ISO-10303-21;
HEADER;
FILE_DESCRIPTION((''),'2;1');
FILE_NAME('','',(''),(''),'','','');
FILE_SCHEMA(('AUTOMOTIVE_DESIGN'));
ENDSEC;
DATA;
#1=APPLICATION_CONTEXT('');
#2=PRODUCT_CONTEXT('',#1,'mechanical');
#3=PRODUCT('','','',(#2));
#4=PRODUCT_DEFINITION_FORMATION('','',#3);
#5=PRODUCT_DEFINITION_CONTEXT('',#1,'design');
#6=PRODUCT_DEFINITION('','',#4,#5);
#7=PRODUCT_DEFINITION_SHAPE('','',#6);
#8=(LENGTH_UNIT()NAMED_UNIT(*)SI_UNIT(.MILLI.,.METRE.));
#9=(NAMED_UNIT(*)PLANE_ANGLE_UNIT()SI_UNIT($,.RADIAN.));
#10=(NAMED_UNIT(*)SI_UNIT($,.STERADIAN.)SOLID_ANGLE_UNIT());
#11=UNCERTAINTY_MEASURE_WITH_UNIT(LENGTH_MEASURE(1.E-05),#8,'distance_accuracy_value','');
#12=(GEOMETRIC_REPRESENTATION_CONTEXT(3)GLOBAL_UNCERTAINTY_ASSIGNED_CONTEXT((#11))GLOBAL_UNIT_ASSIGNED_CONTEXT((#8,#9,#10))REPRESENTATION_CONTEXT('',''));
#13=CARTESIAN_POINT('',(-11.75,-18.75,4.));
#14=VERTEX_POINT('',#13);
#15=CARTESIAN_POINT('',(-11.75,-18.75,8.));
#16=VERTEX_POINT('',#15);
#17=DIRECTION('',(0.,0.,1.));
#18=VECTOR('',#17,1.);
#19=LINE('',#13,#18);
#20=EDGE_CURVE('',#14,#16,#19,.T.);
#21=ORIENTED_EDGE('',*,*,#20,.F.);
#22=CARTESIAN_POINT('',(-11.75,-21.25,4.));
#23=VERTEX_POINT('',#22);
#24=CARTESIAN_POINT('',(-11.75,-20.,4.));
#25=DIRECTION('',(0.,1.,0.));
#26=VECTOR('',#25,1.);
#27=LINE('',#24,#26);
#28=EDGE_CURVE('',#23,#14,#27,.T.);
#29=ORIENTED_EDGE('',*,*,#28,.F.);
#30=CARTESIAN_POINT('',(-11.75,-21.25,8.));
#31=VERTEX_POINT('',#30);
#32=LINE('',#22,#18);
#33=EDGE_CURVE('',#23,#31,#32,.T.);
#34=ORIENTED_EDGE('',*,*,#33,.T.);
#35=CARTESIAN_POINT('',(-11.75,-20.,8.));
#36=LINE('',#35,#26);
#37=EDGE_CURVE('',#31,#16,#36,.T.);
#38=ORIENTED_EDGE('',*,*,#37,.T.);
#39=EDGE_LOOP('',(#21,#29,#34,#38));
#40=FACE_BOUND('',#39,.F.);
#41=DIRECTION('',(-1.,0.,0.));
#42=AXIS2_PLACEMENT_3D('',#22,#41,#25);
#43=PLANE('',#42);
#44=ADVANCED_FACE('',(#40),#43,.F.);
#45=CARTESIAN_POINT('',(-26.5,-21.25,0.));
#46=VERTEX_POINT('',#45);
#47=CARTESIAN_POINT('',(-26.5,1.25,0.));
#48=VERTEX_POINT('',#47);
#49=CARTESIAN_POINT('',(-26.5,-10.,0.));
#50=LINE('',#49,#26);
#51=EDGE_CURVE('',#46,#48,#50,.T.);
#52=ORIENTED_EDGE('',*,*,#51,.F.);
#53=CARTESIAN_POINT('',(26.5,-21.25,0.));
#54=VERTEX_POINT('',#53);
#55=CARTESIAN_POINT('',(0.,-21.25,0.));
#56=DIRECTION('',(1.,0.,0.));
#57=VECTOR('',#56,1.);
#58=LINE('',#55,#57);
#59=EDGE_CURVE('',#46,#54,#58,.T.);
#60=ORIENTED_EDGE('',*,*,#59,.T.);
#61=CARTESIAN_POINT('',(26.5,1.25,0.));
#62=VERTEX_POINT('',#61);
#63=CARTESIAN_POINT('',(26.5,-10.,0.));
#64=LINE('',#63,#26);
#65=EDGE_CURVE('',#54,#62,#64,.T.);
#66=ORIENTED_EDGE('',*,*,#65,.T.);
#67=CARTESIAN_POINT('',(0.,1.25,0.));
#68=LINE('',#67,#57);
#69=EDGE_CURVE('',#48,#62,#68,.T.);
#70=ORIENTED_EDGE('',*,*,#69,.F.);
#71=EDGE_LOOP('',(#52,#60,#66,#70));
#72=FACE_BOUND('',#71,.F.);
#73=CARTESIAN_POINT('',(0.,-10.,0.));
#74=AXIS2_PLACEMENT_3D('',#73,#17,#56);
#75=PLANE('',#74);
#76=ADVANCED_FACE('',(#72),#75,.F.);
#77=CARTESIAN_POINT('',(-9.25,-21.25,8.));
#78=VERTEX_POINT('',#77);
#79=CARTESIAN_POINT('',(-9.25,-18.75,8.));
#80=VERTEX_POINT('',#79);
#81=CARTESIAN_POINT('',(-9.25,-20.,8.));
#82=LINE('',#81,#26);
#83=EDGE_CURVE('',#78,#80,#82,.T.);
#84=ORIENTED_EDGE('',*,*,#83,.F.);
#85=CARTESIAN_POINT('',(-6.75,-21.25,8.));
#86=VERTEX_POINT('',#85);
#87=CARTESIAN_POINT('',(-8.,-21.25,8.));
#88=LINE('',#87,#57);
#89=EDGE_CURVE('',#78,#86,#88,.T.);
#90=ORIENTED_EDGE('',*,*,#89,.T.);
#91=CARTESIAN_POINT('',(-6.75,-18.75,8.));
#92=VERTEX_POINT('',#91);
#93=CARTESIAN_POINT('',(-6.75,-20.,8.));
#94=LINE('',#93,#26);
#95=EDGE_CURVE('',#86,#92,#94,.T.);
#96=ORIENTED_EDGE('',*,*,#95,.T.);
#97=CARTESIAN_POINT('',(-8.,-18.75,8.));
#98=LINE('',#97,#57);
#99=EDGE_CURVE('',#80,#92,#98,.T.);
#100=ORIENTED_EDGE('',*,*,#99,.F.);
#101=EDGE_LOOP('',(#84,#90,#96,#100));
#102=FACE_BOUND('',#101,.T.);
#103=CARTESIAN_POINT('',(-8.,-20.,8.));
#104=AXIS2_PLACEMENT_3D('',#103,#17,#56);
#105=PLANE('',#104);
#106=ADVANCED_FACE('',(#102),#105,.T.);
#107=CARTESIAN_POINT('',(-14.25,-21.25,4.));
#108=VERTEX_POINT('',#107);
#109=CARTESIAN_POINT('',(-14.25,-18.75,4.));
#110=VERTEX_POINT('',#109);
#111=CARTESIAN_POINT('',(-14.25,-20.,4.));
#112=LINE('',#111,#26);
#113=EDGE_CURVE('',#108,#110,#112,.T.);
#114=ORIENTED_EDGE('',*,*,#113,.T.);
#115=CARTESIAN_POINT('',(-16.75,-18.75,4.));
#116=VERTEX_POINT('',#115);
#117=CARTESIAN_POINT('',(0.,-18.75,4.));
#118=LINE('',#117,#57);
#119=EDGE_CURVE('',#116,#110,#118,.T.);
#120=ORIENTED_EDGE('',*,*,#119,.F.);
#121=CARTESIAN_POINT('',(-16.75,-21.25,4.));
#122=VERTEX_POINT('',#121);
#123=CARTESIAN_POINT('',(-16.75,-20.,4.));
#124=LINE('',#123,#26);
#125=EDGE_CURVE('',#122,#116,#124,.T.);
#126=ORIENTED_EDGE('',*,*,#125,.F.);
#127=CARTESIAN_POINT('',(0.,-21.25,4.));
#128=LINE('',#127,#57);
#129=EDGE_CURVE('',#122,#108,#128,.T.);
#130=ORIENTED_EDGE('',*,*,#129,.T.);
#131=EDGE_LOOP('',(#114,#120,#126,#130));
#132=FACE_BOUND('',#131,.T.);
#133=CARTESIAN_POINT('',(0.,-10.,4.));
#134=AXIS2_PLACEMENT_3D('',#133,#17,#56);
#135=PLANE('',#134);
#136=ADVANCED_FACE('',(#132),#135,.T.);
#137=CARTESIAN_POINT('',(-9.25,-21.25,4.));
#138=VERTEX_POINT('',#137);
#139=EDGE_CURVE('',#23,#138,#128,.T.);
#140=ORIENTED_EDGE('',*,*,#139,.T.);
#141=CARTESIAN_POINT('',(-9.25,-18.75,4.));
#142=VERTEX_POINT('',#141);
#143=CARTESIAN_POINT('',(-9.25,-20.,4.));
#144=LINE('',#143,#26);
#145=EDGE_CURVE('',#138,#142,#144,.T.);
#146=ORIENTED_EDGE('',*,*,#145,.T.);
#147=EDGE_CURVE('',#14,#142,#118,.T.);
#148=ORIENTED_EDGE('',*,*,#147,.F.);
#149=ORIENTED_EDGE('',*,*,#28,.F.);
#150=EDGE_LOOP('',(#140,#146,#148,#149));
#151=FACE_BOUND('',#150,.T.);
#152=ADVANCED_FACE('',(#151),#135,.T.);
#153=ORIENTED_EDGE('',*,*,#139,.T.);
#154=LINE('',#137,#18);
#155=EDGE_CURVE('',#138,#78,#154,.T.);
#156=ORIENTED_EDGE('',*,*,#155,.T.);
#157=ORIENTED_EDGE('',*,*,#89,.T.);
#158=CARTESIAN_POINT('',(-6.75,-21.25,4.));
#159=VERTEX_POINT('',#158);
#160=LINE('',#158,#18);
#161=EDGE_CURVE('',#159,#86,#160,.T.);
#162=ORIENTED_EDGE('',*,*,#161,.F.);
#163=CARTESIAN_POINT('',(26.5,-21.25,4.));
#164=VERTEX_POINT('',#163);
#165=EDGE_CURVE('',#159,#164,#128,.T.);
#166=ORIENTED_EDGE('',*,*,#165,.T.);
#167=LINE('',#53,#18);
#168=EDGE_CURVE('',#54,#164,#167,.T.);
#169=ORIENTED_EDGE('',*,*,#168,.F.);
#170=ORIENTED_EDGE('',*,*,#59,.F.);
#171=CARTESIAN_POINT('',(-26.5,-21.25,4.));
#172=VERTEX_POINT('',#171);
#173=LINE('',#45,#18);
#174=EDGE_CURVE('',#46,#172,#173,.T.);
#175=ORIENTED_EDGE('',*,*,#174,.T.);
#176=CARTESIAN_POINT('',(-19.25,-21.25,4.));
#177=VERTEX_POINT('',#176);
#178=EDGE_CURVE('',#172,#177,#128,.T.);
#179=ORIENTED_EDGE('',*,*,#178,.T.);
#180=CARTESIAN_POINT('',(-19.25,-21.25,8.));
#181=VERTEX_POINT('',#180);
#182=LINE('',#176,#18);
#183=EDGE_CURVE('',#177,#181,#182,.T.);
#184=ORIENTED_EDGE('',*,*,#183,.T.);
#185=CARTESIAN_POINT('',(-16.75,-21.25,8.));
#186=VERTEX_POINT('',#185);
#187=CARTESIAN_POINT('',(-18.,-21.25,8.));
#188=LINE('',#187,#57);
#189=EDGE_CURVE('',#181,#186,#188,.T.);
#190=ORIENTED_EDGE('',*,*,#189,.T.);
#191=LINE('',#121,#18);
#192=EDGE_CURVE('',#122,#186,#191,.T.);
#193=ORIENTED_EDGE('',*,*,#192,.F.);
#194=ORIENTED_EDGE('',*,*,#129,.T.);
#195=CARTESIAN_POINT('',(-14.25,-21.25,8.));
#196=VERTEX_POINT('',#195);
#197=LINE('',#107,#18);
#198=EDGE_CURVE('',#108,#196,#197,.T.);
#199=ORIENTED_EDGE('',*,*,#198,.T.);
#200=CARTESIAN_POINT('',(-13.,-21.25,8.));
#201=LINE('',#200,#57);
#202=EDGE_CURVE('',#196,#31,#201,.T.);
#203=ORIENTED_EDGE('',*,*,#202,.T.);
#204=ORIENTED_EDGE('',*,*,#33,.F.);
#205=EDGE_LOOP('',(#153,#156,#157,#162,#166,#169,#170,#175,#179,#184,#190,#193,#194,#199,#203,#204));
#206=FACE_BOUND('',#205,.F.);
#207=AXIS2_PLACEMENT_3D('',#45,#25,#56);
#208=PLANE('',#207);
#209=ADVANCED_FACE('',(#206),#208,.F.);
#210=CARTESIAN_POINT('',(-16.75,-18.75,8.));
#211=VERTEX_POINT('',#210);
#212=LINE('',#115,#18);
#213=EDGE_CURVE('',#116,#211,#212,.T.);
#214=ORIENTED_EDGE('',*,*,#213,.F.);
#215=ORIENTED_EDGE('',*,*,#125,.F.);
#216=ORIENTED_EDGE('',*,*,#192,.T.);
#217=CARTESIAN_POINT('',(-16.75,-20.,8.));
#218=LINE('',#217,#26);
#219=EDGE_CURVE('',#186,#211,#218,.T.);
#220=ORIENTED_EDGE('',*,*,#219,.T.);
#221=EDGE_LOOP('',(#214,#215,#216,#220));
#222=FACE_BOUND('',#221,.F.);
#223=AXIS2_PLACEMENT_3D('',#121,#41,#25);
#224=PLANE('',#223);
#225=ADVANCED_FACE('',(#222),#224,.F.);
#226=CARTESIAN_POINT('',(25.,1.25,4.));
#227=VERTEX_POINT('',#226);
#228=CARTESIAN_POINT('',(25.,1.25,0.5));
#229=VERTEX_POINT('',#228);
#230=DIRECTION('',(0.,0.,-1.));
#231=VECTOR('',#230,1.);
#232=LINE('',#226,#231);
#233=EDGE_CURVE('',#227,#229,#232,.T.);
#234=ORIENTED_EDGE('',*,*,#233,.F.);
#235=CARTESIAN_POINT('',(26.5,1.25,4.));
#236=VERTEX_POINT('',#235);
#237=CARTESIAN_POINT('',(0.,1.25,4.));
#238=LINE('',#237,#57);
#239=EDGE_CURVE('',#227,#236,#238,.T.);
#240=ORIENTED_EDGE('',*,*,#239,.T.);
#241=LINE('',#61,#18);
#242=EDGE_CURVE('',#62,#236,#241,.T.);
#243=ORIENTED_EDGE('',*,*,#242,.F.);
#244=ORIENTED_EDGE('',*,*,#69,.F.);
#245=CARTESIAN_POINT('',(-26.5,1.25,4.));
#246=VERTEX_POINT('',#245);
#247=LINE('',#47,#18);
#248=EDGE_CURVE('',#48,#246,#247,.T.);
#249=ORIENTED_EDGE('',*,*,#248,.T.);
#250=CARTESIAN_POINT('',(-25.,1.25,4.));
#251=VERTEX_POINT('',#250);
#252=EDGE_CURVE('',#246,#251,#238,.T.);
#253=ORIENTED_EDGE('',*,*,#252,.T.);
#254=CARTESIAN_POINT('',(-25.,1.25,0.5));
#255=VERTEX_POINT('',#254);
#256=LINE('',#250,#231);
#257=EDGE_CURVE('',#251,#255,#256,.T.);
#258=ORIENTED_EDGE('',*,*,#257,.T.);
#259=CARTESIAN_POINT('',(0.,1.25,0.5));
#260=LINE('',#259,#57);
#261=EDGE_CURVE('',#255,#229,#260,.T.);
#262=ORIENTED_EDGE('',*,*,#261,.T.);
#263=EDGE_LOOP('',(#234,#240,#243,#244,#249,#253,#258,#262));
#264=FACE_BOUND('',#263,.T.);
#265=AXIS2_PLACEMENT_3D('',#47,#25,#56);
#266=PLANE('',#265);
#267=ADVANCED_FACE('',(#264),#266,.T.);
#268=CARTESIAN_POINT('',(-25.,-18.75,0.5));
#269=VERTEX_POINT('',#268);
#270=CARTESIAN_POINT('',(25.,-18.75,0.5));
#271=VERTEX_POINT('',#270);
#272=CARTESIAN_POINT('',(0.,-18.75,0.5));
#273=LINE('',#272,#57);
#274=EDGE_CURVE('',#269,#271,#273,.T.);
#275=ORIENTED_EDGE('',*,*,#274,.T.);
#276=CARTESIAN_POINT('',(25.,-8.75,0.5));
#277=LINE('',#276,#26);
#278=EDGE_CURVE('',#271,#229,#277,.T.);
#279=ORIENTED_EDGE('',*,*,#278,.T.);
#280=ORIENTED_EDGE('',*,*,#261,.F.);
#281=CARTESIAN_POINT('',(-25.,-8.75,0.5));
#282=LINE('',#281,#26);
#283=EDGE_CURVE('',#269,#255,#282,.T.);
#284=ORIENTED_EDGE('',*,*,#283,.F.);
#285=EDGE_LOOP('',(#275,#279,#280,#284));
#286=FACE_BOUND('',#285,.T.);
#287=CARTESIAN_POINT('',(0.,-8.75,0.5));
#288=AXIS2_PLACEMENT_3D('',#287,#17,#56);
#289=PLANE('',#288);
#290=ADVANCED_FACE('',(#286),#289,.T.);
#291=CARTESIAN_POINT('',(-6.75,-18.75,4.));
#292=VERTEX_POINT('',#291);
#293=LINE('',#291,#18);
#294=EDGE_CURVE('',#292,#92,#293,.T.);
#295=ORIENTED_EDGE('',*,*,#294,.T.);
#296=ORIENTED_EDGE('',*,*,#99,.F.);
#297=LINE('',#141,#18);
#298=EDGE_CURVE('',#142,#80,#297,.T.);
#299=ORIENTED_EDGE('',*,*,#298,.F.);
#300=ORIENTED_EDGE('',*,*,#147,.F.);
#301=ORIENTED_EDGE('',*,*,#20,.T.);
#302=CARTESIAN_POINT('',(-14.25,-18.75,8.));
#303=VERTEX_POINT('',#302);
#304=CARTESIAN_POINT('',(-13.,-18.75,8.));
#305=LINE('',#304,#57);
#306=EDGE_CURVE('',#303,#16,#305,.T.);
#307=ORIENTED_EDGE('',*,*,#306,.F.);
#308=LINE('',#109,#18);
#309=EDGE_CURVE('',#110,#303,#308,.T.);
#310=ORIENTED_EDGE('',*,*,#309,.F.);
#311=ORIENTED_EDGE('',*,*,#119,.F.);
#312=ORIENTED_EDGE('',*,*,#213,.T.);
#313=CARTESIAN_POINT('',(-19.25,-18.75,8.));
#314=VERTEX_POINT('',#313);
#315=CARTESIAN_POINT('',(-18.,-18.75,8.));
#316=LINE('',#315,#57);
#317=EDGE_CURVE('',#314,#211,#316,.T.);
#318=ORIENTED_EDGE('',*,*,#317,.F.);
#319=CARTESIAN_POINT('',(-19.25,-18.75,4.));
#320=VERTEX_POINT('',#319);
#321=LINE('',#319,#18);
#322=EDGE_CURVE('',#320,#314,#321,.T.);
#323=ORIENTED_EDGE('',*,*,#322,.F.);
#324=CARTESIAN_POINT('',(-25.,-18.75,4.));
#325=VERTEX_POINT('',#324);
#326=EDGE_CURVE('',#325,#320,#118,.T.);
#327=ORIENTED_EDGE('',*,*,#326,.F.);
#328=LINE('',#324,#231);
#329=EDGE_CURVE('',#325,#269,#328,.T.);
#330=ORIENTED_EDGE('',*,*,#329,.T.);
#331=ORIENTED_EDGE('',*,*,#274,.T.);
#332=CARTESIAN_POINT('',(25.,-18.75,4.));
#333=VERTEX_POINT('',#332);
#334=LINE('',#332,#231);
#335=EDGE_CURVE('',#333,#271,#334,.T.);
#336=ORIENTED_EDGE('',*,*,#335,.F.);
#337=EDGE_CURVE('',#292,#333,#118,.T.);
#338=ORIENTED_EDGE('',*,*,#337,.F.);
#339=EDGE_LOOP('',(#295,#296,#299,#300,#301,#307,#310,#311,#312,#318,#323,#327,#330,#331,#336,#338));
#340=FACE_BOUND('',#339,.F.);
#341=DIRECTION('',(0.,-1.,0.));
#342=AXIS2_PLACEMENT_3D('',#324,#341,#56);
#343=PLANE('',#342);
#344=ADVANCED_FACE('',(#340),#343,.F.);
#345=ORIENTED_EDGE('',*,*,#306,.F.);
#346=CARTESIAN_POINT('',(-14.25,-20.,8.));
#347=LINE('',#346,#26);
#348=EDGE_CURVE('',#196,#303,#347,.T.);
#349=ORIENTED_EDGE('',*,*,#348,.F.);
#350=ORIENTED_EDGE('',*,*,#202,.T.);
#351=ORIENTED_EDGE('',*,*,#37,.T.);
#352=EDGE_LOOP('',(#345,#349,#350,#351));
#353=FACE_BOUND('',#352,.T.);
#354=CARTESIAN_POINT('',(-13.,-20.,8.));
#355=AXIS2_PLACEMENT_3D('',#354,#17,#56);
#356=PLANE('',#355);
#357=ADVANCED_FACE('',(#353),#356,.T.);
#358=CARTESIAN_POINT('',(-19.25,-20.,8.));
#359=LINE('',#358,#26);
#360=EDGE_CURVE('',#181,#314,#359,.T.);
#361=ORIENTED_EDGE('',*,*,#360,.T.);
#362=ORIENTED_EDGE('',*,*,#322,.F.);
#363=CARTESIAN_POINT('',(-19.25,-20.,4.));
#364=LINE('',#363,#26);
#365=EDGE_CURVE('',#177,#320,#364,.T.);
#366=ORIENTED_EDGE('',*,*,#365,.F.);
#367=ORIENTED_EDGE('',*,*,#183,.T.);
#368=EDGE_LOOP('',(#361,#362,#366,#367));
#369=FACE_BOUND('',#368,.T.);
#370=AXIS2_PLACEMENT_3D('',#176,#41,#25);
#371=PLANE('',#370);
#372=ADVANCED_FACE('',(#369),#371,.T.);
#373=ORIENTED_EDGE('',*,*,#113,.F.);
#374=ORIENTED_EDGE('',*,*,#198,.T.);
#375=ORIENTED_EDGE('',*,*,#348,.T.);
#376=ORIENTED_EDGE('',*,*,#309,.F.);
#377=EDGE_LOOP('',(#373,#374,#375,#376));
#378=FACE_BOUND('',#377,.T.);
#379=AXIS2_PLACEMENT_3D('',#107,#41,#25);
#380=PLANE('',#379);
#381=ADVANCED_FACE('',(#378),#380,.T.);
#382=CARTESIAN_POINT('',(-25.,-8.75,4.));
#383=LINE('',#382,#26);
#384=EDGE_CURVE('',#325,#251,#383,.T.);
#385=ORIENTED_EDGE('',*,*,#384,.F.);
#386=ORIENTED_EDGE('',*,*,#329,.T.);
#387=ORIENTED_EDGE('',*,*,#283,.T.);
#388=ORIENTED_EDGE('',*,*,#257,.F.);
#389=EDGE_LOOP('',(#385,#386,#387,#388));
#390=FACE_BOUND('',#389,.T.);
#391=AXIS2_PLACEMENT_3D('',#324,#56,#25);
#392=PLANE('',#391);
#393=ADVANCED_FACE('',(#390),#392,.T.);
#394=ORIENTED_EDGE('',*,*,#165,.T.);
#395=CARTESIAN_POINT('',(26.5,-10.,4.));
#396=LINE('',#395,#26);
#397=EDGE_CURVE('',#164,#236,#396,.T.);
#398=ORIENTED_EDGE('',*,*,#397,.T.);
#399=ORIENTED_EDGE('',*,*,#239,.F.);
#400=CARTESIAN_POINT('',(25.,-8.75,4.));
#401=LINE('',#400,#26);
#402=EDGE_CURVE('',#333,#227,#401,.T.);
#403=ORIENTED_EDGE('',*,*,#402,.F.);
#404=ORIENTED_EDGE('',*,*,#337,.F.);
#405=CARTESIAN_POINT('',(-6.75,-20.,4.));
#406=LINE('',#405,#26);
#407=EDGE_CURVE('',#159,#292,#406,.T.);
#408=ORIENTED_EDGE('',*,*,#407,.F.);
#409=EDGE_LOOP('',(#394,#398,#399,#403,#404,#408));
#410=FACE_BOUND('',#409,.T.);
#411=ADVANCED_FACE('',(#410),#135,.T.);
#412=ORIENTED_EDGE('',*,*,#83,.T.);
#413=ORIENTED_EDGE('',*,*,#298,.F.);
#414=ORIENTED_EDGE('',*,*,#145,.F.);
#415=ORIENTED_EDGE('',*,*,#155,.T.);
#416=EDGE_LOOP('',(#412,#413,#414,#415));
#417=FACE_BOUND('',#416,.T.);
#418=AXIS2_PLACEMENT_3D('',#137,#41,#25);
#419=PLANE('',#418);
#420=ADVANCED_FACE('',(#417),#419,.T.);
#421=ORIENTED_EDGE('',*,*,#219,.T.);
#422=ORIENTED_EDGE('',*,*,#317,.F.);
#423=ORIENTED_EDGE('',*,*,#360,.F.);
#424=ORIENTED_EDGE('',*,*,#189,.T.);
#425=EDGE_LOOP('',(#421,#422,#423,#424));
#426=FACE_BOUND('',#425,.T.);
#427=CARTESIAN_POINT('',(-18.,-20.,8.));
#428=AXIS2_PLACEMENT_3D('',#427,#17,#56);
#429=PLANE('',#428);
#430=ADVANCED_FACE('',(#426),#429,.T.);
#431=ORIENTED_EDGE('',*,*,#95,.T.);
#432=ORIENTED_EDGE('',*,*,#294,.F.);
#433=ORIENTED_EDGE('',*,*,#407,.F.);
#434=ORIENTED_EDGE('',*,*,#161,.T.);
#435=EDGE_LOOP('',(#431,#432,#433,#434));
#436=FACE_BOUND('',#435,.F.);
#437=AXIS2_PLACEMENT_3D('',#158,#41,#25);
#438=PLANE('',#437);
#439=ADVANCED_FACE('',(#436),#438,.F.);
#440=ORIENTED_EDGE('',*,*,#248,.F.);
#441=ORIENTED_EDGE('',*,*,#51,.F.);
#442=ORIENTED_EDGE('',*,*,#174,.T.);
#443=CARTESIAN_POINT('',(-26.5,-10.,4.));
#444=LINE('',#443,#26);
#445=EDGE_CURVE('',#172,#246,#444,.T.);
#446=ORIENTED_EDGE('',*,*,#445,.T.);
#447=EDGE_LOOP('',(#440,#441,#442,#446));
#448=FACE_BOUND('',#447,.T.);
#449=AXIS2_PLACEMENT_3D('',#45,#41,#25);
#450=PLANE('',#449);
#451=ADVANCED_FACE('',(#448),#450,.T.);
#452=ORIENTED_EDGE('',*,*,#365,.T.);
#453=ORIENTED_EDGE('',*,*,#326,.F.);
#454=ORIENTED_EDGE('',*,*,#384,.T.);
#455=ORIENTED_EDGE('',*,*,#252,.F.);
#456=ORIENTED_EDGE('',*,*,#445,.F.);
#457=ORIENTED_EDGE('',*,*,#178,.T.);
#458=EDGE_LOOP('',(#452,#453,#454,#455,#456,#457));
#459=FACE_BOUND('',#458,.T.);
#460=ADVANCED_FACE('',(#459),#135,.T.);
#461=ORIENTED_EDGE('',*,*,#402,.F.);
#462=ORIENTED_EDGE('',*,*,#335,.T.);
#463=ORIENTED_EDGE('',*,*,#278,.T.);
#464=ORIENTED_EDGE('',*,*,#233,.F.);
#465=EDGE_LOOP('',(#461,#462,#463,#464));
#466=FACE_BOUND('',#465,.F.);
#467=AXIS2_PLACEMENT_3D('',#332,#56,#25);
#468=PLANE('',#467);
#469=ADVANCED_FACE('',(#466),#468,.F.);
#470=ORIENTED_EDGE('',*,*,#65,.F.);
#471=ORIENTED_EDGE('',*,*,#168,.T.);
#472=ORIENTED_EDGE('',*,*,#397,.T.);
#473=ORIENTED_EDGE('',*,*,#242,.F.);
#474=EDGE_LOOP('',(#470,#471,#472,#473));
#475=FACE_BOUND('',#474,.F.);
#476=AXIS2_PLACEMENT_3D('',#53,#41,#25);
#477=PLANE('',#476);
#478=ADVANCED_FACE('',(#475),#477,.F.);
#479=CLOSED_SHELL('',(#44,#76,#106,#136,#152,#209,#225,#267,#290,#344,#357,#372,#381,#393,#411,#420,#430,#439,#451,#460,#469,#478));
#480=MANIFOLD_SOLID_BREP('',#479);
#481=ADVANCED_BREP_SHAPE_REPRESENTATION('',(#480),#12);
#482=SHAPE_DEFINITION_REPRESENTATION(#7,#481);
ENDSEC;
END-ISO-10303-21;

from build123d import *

# Parameters (mm, degrees)
SKETCH_W     = 53
SKETCH_H     = 22.5
PAD_DEPTH    = 4
SKETCH001_W  = 50
SKETCH001_H  = 20
POCKET_DEPTH = 3.5
SKETCH002_W  = 2.5
SKETCH002_H  = 2.5
PAD001_DEPTH = 4


with BuildPart() as part:
    # Sketch → Pad (new body)
    with BuildSketch(Plane.XY):
        Rectangle(SKETCH_W, SKETCH_H)
    extrude(amount=PAD_DEPTH)

    # Sketch001 (on Face6 of Pad) → Pocket (cut)
    with BuildSketch(Plane.XY.offset(4)):
        with Locations((0, 1.25)):
            Rectangle(SKETCH001_W, SKETCH001_H)
    extrude(amount=-POCKET_DEPTH, mode=Mode.SUBTRACT)

    # Sketch002 (on Face4 of Pocket) → Pad001 (join)
    with BuildSketch(Plane.XY.offset(4)):
        with Locations((-18, -10)):
            Rectangle(SKETCH002_W, SKETCH002_H)
        with Locations((-13, -10)):
            Rectangle(SKETCH002_W, SKETCH002_H)
        with Locations((-8, -10)):
            Rectangle(SKETCH002_W, SKETCH002_H)
    extrude(amount=PAD001_DEPTH)


with BuildPart() as part_1:
    # Body placement: moved
    add(part.part.moved(Location((0, -10, 0))))


solid = part_1.part
